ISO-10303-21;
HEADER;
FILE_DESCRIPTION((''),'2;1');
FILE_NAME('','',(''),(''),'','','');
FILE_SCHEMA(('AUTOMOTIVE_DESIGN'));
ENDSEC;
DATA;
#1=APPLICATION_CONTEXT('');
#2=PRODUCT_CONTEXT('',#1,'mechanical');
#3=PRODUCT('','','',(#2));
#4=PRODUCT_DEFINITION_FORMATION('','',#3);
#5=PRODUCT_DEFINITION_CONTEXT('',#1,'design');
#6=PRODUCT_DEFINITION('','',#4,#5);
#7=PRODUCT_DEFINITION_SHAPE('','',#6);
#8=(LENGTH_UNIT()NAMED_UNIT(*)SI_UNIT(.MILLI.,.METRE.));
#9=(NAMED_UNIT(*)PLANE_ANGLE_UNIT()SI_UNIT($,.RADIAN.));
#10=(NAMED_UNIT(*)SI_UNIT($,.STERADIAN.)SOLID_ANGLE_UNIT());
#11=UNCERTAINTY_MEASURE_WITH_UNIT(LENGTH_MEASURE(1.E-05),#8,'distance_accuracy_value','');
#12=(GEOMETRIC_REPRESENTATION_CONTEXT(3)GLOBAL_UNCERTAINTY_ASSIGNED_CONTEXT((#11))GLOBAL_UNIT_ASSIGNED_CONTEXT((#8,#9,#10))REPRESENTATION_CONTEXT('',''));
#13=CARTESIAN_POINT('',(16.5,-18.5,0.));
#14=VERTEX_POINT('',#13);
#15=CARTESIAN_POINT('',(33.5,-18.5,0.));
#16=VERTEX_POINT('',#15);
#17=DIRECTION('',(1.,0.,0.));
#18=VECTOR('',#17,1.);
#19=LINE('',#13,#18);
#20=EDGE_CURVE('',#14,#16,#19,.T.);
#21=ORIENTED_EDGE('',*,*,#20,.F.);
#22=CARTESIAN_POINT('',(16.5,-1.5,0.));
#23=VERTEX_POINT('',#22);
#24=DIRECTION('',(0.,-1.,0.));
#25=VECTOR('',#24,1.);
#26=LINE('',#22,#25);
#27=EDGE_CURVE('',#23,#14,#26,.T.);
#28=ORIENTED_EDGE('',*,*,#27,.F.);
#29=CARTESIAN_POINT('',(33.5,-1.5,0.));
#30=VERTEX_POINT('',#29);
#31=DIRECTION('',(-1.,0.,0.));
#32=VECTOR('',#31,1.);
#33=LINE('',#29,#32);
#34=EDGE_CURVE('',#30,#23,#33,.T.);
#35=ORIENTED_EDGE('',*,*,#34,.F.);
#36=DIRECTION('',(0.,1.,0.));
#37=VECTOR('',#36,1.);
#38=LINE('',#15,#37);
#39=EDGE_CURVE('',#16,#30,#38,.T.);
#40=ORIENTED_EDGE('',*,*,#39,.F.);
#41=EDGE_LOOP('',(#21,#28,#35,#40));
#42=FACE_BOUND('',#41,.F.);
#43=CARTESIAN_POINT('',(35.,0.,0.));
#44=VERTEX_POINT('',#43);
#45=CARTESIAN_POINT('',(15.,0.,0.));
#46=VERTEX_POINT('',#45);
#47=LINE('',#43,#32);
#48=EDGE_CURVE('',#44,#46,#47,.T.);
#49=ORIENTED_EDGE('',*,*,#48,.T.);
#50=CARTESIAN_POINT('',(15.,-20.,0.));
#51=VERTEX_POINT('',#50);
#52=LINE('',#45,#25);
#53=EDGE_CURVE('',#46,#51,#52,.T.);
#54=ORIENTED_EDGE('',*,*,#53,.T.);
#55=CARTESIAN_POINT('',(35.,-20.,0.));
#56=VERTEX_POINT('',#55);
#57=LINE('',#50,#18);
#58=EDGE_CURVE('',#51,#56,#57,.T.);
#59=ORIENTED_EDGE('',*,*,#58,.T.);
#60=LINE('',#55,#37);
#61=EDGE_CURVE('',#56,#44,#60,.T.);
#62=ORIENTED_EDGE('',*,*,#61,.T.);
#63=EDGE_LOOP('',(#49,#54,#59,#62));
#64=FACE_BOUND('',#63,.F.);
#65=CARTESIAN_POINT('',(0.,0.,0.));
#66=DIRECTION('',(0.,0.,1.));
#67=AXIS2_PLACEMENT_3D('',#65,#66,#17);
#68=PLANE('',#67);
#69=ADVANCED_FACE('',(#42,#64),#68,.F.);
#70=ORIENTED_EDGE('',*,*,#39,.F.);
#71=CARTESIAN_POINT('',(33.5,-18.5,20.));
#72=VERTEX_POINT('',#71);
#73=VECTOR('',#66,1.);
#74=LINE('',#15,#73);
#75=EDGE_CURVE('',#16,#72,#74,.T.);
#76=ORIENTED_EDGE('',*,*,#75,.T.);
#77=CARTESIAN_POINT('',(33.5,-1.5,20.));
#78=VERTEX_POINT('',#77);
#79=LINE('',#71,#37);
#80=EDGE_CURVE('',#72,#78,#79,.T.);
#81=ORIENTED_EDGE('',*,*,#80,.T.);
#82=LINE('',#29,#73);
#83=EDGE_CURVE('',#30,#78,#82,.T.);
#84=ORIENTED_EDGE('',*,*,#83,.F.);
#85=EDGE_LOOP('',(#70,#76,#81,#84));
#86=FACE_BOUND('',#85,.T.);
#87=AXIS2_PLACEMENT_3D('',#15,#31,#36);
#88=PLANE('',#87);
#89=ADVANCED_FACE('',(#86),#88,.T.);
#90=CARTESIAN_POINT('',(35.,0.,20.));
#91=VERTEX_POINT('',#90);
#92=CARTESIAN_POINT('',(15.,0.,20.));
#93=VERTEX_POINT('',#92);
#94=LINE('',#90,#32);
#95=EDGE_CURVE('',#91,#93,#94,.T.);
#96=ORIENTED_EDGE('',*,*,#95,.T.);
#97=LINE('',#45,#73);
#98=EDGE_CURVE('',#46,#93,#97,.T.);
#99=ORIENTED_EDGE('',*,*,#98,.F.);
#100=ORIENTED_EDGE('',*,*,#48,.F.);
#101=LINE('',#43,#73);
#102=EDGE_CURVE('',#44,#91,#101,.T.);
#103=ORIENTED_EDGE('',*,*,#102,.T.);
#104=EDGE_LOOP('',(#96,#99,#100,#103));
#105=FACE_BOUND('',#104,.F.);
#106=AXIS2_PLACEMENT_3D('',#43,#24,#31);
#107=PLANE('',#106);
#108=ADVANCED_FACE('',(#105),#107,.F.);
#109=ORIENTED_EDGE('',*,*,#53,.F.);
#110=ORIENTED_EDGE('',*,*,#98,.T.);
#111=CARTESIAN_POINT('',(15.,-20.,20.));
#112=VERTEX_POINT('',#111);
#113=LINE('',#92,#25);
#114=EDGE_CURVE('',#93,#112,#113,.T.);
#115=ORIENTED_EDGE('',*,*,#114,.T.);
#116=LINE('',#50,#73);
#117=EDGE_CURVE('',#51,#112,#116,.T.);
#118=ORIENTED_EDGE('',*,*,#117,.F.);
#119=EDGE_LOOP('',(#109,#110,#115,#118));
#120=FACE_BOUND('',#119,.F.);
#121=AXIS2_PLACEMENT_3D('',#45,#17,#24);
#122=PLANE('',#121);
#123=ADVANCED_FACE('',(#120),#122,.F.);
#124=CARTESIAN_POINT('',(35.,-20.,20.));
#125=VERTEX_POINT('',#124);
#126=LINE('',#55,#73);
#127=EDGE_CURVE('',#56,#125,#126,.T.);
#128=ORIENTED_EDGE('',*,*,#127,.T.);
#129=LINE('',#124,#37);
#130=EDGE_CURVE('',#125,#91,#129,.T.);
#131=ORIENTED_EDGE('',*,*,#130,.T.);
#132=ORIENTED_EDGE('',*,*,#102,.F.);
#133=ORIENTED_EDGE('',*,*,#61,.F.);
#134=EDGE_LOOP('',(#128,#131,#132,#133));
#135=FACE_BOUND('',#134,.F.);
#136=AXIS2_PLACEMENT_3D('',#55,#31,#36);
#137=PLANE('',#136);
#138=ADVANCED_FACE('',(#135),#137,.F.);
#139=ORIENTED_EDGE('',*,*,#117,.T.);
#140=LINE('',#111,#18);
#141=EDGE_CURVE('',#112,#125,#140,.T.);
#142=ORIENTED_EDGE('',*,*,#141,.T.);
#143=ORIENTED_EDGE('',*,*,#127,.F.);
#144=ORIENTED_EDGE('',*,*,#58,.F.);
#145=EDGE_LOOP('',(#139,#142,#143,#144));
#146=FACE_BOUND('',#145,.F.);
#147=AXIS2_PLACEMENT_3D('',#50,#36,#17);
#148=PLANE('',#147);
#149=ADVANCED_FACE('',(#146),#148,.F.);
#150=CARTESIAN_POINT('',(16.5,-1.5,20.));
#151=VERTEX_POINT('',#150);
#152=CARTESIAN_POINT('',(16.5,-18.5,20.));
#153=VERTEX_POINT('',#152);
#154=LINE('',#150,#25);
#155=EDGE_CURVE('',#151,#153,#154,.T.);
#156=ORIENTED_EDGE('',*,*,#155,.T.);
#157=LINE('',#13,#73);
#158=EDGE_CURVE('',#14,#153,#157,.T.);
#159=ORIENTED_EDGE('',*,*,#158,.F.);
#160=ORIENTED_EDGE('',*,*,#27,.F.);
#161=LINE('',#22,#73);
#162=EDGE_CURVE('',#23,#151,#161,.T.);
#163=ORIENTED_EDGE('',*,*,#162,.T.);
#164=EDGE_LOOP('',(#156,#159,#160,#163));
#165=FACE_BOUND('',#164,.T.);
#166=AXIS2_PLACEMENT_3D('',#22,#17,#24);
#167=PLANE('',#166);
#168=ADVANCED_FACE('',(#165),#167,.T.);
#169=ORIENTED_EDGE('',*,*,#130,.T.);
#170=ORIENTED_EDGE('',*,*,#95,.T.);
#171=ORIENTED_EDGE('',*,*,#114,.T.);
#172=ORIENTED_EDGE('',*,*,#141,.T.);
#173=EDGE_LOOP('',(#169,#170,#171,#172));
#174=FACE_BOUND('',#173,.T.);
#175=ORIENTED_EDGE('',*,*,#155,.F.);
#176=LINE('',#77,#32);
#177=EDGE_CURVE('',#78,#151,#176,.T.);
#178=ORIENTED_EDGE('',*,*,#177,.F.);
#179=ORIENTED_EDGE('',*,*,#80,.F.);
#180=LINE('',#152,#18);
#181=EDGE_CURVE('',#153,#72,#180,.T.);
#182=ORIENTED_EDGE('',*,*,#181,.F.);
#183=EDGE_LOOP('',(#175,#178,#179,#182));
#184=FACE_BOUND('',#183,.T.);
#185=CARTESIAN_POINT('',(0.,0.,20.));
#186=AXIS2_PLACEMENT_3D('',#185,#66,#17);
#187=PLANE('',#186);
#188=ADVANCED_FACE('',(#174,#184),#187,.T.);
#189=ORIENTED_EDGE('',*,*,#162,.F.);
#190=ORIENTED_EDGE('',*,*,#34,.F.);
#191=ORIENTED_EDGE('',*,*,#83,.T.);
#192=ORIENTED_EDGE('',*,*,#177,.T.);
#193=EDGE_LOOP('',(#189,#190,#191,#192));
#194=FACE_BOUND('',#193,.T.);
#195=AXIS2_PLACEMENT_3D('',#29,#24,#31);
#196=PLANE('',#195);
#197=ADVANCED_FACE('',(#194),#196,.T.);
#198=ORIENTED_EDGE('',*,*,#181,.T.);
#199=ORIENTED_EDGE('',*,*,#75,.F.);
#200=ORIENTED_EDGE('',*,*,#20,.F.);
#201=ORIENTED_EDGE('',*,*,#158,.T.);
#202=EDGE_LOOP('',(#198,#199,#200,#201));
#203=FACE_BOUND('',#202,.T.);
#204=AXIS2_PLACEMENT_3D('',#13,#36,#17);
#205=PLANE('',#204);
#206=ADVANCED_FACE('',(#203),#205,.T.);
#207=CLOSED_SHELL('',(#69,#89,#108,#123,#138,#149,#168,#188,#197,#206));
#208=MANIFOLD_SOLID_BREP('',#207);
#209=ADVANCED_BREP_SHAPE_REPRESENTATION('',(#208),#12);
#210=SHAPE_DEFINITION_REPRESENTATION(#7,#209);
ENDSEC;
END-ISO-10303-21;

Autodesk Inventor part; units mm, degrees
ref_plane "YZ Plane" through (0, 0, 0) normal (1, 0, 0) x (0, 1, 0)
ref_plane "XZ Plane" through (0, 0, 0) normal (0, 1, 0) x (-1, 0, 0)
ref_plane "РабПлоскость1" through (-5, -146, 20) normal (0, 0, 1) x (1, 0, 0)
sketch "Эскиз1" plane through (0, 0, 0) normal (0, 0, 1) x (1, 0, 0)
  line L0 (0, -20) -> (90, -20) construction
  line L1 (0, 0) -> (90, 0) construction
  line L2 (35, -20) -> (35, 392) construction
  line L3 (35, 0) -> (15, 0)
  line L4 (15, 0) -> (15, -20)
  line L5 (15, -20) -> (35, -20)
  line L6 (35, -20) -> (35, 0)
  line L7 (33.5, -1.5) -> (16.5, -1.5)
  line L8 (16.5, -1.5) -> (16.5, -18.5)
  line L9 (16.5, -18.5) -> (33.5, -18.5)
  line L10 (33.5, -18.5) -> (33.5, -1.5)
  point P0 (25, -18.5)
  point P1 (25, -20)
  point P2 (33.5, -10)
  point P3 (35, -10)
  dimension "d0" = 20
  dimension "d1" = 1.5
extrude "Выдавливание1" add sketch "Эскиз1" along normal up to surface (20 mm away)
properties part number "shock_absorber_holder"
